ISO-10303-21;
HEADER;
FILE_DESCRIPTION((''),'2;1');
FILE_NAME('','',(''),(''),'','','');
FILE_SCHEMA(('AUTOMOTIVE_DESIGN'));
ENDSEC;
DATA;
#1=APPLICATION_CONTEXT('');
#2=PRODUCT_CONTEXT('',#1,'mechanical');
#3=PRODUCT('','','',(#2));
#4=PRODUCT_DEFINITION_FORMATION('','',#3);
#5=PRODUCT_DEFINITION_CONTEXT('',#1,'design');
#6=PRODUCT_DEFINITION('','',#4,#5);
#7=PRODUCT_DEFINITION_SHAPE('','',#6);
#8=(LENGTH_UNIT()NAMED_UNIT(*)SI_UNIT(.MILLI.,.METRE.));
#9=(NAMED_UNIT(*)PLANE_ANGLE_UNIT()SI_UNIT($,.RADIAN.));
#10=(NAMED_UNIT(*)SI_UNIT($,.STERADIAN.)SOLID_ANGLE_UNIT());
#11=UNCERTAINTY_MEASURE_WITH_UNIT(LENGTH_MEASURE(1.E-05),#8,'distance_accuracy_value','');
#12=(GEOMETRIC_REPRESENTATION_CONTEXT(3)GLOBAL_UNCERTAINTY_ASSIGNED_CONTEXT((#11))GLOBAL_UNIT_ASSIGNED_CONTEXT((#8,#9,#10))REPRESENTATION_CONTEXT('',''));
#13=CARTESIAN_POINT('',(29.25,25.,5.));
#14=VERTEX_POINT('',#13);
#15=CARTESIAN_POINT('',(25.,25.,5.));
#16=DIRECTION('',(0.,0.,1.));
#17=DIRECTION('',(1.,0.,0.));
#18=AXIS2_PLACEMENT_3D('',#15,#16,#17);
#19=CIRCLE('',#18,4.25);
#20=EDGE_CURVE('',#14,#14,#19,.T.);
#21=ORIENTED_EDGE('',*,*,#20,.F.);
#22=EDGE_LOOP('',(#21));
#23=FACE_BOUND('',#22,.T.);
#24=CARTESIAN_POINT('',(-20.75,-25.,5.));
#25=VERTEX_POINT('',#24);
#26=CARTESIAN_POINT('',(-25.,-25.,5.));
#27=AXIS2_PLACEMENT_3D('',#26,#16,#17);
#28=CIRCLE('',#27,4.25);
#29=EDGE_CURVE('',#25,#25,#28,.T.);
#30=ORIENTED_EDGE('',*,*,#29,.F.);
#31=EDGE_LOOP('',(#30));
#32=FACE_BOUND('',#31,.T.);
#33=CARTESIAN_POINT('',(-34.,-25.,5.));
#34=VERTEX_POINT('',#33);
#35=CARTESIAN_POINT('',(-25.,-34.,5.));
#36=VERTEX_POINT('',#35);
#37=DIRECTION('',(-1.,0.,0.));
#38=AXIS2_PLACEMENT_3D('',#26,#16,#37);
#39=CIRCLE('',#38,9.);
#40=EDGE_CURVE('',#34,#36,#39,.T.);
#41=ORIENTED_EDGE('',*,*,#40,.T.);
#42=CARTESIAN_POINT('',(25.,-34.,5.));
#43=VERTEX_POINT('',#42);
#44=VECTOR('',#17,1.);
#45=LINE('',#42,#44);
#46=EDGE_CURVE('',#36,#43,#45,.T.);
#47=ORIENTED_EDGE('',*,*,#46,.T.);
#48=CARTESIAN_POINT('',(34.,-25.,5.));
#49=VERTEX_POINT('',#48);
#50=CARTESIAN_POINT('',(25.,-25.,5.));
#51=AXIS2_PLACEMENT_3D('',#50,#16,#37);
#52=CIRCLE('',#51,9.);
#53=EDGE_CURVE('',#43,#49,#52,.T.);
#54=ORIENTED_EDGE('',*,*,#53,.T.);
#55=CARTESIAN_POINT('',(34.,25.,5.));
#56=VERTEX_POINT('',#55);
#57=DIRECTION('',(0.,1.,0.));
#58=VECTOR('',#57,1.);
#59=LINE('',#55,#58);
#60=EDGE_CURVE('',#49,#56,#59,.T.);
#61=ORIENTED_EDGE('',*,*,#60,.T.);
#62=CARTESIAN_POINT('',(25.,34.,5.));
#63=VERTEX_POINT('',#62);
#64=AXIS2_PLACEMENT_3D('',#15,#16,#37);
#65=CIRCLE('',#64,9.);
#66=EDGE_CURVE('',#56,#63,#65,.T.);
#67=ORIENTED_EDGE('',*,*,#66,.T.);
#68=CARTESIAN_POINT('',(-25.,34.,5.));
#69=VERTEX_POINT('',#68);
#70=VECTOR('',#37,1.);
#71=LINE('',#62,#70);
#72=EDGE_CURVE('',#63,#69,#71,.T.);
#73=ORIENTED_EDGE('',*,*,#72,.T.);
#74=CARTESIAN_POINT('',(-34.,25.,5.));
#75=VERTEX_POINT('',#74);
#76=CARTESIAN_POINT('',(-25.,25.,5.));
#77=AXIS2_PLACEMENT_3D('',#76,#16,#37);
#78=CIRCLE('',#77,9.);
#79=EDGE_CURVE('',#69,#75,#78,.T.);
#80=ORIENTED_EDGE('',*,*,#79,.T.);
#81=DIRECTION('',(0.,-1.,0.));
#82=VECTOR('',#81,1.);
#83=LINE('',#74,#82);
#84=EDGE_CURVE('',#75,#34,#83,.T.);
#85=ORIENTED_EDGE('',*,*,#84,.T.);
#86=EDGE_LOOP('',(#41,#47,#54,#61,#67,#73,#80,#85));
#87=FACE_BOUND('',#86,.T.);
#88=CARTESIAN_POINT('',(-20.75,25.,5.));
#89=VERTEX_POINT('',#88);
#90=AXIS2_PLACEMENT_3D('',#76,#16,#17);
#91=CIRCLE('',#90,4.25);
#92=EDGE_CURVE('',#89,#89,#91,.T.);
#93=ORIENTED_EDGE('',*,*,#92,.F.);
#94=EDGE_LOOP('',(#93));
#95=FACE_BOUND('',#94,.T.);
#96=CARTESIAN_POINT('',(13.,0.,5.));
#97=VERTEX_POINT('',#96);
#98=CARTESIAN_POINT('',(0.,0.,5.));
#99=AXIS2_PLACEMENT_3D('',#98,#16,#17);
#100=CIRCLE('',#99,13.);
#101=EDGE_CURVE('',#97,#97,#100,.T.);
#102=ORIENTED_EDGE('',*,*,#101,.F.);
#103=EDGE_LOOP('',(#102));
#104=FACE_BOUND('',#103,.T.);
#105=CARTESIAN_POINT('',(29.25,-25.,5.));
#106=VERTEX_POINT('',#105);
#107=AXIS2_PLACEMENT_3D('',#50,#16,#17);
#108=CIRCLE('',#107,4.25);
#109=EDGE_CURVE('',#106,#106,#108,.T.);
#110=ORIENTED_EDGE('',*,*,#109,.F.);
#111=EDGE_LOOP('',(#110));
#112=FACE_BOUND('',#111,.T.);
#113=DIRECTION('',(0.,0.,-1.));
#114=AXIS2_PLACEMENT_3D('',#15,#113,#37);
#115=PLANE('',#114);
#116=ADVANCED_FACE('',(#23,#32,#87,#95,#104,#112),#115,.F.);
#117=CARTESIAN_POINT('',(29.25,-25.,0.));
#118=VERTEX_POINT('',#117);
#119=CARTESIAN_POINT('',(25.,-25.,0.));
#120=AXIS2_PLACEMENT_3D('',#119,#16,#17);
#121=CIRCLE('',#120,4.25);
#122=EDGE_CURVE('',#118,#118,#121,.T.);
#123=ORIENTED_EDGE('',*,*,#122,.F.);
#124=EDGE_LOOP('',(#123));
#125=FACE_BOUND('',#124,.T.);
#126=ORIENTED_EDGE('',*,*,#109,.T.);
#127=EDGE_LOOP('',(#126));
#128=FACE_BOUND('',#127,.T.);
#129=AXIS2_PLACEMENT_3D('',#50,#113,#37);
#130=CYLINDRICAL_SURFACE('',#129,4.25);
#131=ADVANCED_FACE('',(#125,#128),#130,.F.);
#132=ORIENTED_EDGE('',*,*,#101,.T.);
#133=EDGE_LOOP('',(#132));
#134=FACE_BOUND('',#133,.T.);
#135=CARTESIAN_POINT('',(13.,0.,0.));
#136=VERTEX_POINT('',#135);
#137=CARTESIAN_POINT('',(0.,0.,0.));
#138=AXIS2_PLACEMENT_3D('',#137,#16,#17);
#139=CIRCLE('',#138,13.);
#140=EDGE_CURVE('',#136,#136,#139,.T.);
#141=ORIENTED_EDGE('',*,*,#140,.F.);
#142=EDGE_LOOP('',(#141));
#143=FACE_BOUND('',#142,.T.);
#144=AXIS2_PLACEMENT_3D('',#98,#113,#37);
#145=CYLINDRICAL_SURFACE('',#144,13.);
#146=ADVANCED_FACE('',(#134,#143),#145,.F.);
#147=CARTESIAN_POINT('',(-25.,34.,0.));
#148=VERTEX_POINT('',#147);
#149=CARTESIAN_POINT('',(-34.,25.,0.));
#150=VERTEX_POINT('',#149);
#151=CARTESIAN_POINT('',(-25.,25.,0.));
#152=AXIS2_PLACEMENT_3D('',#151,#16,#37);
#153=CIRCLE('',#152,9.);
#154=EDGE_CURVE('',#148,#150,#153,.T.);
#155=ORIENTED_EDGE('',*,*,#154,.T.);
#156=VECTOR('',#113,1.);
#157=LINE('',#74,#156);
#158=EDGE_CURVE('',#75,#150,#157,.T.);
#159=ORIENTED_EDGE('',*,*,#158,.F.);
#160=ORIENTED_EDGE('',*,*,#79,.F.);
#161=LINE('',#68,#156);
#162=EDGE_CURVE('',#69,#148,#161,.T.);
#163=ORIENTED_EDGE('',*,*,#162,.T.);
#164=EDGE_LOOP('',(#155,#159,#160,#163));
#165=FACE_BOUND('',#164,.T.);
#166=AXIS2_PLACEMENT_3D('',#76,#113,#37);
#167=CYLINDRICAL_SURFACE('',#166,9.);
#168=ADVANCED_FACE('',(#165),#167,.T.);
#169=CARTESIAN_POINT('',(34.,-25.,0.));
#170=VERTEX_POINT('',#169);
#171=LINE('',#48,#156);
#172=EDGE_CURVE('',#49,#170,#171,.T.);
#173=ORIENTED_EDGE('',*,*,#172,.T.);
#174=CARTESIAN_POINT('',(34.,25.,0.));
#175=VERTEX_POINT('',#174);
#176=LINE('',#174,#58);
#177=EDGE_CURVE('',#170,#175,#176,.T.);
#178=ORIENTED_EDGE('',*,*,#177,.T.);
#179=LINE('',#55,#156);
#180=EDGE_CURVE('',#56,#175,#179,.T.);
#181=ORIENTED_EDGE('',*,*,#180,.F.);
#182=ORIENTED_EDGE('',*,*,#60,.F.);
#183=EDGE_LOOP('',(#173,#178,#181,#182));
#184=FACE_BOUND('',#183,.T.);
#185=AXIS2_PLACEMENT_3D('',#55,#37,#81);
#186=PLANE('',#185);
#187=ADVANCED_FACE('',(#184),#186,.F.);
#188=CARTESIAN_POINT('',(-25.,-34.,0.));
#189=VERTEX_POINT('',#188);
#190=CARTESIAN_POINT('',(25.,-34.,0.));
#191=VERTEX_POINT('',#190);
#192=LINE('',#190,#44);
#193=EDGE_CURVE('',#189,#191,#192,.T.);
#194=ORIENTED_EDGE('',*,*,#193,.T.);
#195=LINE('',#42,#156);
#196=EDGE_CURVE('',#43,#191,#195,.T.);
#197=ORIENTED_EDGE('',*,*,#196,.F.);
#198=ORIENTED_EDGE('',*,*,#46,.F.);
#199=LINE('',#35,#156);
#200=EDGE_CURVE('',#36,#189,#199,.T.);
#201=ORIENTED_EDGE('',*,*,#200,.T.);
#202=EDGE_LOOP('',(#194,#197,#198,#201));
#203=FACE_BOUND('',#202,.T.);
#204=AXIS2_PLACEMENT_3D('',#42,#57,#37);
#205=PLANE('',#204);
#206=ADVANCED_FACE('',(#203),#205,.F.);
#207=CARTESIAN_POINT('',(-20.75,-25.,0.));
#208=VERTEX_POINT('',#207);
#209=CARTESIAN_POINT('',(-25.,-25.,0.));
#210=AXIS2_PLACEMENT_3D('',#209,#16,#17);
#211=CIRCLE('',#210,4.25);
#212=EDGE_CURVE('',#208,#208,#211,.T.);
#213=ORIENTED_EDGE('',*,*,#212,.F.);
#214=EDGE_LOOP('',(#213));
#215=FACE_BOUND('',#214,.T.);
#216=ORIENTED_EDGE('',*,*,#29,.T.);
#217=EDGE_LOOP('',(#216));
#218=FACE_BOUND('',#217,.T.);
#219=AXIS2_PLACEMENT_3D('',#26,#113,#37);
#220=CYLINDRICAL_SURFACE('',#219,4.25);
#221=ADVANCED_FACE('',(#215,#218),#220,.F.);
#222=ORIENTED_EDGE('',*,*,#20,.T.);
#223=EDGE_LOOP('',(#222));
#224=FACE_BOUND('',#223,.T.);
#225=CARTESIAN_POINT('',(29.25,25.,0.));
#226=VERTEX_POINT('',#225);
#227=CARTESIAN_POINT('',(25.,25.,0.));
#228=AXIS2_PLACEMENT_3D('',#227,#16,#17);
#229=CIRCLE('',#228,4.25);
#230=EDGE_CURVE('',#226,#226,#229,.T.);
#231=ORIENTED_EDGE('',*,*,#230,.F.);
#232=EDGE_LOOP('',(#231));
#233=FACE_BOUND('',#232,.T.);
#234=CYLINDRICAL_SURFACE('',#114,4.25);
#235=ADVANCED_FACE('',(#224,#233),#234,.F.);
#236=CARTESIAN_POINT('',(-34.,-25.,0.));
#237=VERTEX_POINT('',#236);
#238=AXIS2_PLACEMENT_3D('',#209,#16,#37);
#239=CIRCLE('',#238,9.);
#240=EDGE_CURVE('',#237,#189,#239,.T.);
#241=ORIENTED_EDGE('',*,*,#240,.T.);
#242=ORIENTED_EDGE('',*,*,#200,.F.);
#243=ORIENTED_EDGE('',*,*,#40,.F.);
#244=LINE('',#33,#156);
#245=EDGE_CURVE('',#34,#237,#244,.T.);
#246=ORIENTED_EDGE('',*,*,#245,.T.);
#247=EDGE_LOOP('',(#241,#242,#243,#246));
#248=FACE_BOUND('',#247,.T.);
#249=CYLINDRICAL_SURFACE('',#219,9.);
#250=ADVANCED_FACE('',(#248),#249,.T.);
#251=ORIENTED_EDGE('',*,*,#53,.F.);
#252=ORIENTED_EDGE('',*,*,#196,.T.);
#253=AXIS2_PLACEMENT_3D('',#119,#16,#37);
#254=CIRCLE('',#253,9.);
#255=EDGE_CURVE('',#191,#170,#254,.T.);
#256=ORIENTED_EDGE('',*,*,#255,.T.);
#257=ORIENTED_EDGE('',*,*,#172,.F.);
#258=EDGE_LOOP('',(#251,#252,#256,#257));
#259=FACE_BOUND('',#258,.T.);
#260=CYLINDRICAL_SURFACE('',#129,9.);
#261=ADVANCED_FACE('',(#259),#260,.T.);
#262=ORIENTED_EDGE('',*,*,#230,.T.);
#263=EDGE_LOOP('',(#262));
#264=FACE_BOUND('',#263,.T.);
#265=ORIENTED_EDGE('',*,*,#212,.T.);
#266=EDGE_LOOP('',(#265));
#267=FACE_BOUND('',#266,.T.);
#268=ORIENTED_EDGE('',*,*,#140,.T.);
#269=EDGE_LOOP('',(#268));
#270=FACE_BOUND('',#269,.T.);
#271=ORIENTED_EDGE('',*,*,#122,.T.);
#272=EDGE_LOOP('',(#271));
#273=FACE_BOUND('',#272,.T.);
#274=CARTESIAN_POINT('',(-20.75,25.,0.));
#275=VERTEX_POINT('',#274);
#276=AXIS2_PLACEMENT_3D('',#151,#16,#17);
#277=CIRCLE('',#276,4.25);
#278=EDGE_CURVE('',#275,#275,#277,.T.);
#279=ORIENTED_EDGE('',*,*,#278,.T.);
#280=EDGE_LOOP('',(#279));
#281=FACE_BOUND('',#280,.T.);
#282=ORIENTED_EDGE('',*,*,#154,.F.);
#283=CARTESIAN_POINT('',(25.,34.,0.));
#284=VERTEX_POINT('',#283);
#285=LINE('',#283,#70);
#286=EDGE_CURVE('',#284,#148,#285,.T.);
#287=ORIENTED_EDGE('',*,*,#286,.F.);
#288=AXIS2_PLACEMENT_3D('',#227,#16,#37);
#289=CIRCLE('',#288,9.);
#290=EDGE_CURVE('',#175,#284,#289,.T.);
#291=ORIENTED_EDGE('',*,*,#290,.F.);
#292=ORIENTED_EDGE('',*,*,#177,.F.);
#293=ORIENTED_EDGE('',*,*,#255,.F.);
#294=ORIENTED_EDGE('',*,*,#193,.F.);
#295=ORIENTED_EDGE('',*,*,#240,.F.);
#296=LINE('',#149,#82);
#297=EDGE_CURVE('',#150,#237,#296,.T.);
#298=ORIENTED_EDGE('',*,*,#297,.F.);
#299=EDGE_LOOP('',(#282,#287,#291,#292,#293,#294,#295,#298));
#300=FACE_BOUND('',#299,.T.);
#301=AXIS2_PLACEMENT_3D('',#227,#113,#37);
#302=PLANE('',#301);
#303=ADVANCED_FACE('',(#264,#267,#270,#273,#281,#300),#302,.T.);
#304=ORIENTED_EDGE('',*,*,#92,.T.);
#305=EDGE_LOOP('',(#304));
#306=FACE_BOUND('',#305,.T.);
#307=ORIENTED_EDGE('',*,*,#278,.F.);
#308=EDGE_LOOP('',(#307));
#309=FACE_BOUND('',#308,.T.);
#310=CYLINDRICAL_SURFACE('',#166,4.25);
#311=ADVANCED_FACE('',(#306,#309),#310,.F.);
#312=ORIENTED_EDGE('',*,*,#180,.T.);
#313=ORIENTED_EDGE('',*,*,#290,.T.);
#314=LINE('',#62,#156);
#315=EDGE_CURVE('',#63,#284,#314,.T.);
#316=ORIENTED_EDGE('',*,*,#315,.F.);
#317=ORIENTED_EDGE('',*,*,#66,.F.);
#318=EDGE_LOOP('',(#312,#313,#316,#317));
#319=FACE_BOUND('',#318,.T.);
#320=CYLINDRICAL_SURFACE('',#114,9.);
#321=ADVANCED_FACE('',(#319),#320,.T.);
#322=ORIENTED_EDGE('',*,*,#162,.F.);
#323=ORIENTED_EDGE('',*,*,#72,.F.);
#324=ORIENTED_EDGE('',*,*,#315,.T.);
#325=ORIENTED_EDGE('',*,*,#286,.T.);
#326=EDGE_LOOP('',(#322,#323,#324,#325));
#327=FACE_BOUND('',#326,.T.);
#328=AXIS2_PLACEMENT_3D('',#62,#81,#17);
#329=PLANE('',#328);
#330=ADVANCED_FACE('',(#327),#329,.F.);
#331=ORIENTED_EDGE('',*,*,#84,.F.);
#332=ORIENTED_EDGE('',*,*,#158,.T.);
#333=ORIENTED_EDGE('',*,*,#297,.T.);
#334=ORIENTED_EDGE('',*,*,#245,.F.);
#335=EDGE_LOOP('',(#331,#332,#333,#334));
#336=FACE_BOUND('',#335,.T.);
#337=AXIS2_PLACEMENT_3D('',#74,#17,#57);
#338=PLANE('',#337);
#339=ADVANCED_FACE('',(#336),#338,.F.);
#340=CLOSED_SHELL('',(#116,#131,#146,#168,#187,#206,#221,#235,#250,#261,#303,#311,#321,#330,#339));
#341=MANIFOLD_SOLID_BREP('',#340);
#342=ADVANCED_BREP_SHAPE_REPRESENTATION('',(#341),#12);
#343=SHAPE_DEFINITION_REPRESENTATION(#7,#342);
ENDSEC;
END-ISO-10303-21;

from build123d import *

# Parameters (mm, degrees)
CROQUIS1_R              = 4.25
CROQUIS1_R_2            = 13
SALIENTE_EXTRUIR1_DEPTH = 5


with BuildPart() as part:
    # Croquis1 → Saliente-Extruir1 (new body)
    with BuildSketch(Plane.XY):
        with BuildLine():
            Line((25, 34), (-25, 34))
            ThreePointArc((-25, 34), (-31.363961031, 31.363961031), (-34, 25))
            Line((-34, 25), (-34, -25))
            ThreePointArc((-34, -25), (-31.363961031, -31.363961031), (-25, -34))
            Line((-25, -34), (25, -34))
            ThreePointArc((25, -34), (31.363961031, -31.363961031), (34, -25))
            Line((34, -25), (34, 25))
            ThreePointArc((34, 25), (31.363961031, 31.363961031), (25, 34))
        make_face()
        with Locations((-25, 25)):
            Circle(CROQUIS1_R, mode=Mode.SUBTRACT)
        with Locations((-25, -25)):
            Circle(CROQUIS1_R, mode=Mode.SUBTRACT)
        with Locations((25, -25)):
            Circle(CROQUIS1_R, mode=Mode.SUBTRACT)
        with Locations((25, 25)):
            Circle(CROQUIS1_R, mode=Mode.SUBTRACT)
        Circle(CROQUIS1_R_2, mode=Mode.SUBTRACT)
    extrude(amount=SALIENTE_EXTRUIR1_DEPTH)


solid = part.part
